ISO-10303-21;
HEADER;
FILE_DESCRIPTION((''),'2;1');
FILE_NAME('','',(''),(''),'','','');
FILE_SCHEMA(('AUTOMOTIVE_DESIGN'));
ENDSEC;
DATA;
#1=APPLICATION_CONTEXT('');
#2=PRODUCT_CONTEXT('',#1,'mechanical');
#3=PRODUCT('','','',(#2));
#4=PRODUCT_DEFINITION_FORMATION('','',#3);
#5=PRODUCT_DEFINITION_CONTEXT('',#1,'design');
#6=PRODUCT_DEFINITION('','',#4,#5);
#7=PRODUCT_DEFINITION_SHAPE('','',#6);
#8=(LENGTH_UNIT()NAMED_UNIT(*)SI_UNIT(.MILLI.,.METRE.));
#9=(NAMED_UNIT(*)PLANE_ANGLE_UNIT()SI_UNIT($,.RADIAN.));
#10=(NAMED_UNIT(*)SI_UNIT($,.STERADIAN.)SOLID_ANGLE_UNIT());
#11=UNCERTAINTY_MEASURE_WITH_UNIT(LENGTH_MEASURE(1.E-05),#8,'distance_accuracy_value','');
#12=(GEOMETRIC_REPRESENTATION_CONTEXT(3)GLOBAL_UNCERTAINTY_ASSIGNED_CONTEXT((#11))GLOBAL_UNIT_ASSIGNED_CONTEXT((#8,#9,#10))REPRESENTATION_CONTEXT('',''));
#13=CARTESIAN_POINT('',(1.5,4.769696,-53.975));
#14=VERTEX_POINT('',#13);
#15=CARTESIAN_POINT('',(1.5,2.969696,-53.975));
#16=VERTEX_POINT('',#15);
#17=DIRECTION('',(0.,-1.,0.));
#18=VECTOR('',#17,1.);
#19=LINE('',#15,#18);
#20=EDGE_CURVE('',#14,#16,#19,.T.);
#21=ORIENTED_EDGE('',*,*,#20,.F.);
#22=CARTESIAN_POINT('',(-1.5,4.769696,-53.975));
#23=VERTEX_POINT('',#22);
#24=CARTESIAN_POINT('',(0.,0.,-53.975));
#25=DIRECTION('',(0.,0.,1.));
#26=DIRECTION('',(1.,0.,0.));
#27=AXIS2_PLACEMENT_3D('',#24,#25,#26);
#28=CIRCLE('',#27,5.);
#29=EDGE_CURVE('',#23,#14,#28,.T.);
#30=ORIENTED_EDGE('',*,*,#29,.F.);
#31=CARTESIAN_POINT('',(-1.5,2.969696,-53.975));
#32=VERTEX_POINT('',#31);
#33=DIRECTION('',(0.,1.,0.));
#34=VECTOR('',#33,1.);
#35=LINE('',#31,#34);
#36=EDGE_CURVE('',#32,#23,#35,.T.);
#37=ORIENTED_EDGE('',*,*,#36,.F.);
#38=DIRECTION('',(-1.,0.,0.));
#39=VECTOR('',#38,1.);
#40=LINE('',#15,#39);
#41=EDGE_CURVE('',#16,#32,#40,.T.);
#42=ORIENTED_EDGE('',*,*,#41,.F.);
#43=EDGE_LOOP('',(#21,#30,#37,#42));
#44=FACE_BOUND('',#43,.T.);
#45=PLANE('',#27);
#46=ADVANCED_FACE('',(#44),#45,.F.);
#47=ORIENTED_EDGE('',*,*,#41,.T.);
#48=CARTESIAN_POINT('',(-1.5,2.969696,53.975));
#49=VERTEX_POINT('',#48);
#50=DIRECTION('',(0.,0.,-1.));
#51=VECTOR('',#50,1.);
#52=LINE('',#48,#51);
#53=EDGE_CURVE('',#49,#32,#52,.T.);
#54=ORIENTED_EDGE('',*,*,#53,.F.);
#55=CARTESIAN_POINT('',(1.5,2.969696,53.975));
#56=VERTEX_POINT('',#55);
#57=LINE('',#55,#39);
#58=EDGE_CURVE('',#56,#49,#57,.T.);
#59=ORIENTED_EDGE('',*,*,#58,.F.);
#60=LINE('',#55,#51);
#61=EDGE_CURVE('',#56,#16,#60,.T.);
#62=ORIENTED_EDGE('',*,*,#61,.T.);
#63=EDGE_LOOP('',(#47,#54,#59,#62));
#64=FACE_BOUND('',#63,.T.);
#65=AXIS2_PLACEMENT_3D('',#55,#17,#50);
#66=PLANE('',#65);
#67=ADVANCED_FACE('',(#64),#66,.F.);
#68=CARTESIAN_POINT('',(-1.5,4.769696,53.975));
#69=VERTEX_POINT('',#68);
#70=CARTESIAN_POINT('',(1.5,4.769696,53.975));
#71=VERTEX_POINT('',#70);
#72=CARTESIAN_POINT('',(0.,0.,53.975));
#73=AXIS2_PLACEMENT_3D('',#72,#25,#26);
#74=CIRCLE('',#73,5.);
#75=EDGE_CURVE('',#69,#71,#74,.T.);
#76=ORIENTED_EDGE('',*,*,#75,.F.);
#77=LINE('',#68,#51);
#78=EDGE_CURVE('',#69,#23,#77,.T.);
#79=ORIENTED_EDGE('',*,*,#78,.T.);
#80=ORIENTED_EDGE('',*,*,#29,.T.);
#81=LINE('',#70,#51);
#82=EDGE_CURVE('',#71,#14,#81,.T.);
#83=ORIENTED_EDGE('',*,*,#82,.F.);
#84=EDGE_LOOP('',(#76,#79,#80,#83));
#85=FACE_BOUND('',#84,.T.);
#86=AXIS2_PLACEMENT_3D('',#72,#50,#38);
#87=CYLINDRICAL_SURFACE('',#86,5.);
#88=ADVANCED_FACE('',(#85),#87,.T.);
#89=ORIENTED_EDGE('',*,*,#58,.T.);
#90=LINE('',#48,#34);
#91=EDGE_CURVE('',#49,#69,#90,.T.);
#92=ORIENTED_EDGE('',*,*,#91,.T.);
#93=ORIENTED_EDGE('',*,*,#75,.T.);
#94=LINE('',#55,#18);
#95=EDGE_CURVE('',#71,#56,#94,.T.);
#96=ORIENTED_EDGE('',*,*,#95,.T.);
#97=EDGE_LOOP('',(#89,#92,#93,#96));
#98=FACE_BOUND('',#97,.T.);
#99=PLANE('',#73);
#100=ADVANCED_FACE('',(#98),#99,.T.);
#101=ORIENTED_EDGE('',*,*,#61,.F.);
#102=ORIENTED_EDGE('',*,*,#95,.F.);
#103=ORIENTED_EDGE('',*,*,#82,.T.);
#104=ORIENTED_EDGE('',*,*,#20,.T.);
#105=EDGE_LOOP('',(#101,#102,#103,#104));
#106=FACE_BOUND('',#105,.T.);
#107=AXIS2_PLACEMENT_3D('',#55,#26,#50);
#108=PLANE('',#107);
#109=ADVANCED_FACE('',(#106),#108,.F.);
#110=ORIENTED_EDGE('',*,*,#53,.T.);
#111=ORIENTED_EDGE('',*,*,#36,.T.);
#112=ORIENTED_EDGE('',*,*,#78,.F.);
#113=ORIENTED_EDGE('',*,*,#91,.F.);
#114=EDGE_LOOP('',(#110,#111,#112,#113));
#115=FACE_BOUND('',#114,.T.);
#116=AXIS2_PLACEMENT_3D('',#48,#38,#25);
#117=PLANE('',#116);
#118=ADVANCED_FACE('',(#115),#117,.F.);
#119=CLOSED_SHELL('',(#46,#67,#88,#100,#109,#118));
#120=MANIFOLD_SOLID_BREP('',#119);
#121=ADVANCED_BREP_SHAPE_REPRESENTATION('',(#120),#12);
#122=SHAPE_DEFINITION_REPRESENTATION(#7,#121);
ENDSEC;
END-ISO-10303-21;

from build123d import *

# Parameters (mm, degrees)
BOSS_EXTRUDE1_DEPTH      = 53.975
BOSS_EXTRUDE1_DEPTH_BACK = 53.975


with BuildPart() as part:
    # Sketch3 → Boss-Extrude1 (new body, two sides)
    with BuildSketch(Plane.XY) as boss_extrude1_sk:
        with BuildLine():
            Line((-1.5, 2.969696007), (-1.5, 4.769696007))
            ThreePointArc((-1.5, 4.769696007), (0, -5), (1.5, 4.769696007))
            Line((1.5, 4.769696007), (1.5, 2.969696007))
            Line((1.5, 2.969696007), (-1.5, 2.969696007))
        make_face()
    extrude(amount=BOSS_EXTRUDE1_DEPTH)
    extrude(boss_extrude1_sk.sketch, amount=-BOSS_EXTRUDE1_DEPTH_BACK)


solid = part.part
